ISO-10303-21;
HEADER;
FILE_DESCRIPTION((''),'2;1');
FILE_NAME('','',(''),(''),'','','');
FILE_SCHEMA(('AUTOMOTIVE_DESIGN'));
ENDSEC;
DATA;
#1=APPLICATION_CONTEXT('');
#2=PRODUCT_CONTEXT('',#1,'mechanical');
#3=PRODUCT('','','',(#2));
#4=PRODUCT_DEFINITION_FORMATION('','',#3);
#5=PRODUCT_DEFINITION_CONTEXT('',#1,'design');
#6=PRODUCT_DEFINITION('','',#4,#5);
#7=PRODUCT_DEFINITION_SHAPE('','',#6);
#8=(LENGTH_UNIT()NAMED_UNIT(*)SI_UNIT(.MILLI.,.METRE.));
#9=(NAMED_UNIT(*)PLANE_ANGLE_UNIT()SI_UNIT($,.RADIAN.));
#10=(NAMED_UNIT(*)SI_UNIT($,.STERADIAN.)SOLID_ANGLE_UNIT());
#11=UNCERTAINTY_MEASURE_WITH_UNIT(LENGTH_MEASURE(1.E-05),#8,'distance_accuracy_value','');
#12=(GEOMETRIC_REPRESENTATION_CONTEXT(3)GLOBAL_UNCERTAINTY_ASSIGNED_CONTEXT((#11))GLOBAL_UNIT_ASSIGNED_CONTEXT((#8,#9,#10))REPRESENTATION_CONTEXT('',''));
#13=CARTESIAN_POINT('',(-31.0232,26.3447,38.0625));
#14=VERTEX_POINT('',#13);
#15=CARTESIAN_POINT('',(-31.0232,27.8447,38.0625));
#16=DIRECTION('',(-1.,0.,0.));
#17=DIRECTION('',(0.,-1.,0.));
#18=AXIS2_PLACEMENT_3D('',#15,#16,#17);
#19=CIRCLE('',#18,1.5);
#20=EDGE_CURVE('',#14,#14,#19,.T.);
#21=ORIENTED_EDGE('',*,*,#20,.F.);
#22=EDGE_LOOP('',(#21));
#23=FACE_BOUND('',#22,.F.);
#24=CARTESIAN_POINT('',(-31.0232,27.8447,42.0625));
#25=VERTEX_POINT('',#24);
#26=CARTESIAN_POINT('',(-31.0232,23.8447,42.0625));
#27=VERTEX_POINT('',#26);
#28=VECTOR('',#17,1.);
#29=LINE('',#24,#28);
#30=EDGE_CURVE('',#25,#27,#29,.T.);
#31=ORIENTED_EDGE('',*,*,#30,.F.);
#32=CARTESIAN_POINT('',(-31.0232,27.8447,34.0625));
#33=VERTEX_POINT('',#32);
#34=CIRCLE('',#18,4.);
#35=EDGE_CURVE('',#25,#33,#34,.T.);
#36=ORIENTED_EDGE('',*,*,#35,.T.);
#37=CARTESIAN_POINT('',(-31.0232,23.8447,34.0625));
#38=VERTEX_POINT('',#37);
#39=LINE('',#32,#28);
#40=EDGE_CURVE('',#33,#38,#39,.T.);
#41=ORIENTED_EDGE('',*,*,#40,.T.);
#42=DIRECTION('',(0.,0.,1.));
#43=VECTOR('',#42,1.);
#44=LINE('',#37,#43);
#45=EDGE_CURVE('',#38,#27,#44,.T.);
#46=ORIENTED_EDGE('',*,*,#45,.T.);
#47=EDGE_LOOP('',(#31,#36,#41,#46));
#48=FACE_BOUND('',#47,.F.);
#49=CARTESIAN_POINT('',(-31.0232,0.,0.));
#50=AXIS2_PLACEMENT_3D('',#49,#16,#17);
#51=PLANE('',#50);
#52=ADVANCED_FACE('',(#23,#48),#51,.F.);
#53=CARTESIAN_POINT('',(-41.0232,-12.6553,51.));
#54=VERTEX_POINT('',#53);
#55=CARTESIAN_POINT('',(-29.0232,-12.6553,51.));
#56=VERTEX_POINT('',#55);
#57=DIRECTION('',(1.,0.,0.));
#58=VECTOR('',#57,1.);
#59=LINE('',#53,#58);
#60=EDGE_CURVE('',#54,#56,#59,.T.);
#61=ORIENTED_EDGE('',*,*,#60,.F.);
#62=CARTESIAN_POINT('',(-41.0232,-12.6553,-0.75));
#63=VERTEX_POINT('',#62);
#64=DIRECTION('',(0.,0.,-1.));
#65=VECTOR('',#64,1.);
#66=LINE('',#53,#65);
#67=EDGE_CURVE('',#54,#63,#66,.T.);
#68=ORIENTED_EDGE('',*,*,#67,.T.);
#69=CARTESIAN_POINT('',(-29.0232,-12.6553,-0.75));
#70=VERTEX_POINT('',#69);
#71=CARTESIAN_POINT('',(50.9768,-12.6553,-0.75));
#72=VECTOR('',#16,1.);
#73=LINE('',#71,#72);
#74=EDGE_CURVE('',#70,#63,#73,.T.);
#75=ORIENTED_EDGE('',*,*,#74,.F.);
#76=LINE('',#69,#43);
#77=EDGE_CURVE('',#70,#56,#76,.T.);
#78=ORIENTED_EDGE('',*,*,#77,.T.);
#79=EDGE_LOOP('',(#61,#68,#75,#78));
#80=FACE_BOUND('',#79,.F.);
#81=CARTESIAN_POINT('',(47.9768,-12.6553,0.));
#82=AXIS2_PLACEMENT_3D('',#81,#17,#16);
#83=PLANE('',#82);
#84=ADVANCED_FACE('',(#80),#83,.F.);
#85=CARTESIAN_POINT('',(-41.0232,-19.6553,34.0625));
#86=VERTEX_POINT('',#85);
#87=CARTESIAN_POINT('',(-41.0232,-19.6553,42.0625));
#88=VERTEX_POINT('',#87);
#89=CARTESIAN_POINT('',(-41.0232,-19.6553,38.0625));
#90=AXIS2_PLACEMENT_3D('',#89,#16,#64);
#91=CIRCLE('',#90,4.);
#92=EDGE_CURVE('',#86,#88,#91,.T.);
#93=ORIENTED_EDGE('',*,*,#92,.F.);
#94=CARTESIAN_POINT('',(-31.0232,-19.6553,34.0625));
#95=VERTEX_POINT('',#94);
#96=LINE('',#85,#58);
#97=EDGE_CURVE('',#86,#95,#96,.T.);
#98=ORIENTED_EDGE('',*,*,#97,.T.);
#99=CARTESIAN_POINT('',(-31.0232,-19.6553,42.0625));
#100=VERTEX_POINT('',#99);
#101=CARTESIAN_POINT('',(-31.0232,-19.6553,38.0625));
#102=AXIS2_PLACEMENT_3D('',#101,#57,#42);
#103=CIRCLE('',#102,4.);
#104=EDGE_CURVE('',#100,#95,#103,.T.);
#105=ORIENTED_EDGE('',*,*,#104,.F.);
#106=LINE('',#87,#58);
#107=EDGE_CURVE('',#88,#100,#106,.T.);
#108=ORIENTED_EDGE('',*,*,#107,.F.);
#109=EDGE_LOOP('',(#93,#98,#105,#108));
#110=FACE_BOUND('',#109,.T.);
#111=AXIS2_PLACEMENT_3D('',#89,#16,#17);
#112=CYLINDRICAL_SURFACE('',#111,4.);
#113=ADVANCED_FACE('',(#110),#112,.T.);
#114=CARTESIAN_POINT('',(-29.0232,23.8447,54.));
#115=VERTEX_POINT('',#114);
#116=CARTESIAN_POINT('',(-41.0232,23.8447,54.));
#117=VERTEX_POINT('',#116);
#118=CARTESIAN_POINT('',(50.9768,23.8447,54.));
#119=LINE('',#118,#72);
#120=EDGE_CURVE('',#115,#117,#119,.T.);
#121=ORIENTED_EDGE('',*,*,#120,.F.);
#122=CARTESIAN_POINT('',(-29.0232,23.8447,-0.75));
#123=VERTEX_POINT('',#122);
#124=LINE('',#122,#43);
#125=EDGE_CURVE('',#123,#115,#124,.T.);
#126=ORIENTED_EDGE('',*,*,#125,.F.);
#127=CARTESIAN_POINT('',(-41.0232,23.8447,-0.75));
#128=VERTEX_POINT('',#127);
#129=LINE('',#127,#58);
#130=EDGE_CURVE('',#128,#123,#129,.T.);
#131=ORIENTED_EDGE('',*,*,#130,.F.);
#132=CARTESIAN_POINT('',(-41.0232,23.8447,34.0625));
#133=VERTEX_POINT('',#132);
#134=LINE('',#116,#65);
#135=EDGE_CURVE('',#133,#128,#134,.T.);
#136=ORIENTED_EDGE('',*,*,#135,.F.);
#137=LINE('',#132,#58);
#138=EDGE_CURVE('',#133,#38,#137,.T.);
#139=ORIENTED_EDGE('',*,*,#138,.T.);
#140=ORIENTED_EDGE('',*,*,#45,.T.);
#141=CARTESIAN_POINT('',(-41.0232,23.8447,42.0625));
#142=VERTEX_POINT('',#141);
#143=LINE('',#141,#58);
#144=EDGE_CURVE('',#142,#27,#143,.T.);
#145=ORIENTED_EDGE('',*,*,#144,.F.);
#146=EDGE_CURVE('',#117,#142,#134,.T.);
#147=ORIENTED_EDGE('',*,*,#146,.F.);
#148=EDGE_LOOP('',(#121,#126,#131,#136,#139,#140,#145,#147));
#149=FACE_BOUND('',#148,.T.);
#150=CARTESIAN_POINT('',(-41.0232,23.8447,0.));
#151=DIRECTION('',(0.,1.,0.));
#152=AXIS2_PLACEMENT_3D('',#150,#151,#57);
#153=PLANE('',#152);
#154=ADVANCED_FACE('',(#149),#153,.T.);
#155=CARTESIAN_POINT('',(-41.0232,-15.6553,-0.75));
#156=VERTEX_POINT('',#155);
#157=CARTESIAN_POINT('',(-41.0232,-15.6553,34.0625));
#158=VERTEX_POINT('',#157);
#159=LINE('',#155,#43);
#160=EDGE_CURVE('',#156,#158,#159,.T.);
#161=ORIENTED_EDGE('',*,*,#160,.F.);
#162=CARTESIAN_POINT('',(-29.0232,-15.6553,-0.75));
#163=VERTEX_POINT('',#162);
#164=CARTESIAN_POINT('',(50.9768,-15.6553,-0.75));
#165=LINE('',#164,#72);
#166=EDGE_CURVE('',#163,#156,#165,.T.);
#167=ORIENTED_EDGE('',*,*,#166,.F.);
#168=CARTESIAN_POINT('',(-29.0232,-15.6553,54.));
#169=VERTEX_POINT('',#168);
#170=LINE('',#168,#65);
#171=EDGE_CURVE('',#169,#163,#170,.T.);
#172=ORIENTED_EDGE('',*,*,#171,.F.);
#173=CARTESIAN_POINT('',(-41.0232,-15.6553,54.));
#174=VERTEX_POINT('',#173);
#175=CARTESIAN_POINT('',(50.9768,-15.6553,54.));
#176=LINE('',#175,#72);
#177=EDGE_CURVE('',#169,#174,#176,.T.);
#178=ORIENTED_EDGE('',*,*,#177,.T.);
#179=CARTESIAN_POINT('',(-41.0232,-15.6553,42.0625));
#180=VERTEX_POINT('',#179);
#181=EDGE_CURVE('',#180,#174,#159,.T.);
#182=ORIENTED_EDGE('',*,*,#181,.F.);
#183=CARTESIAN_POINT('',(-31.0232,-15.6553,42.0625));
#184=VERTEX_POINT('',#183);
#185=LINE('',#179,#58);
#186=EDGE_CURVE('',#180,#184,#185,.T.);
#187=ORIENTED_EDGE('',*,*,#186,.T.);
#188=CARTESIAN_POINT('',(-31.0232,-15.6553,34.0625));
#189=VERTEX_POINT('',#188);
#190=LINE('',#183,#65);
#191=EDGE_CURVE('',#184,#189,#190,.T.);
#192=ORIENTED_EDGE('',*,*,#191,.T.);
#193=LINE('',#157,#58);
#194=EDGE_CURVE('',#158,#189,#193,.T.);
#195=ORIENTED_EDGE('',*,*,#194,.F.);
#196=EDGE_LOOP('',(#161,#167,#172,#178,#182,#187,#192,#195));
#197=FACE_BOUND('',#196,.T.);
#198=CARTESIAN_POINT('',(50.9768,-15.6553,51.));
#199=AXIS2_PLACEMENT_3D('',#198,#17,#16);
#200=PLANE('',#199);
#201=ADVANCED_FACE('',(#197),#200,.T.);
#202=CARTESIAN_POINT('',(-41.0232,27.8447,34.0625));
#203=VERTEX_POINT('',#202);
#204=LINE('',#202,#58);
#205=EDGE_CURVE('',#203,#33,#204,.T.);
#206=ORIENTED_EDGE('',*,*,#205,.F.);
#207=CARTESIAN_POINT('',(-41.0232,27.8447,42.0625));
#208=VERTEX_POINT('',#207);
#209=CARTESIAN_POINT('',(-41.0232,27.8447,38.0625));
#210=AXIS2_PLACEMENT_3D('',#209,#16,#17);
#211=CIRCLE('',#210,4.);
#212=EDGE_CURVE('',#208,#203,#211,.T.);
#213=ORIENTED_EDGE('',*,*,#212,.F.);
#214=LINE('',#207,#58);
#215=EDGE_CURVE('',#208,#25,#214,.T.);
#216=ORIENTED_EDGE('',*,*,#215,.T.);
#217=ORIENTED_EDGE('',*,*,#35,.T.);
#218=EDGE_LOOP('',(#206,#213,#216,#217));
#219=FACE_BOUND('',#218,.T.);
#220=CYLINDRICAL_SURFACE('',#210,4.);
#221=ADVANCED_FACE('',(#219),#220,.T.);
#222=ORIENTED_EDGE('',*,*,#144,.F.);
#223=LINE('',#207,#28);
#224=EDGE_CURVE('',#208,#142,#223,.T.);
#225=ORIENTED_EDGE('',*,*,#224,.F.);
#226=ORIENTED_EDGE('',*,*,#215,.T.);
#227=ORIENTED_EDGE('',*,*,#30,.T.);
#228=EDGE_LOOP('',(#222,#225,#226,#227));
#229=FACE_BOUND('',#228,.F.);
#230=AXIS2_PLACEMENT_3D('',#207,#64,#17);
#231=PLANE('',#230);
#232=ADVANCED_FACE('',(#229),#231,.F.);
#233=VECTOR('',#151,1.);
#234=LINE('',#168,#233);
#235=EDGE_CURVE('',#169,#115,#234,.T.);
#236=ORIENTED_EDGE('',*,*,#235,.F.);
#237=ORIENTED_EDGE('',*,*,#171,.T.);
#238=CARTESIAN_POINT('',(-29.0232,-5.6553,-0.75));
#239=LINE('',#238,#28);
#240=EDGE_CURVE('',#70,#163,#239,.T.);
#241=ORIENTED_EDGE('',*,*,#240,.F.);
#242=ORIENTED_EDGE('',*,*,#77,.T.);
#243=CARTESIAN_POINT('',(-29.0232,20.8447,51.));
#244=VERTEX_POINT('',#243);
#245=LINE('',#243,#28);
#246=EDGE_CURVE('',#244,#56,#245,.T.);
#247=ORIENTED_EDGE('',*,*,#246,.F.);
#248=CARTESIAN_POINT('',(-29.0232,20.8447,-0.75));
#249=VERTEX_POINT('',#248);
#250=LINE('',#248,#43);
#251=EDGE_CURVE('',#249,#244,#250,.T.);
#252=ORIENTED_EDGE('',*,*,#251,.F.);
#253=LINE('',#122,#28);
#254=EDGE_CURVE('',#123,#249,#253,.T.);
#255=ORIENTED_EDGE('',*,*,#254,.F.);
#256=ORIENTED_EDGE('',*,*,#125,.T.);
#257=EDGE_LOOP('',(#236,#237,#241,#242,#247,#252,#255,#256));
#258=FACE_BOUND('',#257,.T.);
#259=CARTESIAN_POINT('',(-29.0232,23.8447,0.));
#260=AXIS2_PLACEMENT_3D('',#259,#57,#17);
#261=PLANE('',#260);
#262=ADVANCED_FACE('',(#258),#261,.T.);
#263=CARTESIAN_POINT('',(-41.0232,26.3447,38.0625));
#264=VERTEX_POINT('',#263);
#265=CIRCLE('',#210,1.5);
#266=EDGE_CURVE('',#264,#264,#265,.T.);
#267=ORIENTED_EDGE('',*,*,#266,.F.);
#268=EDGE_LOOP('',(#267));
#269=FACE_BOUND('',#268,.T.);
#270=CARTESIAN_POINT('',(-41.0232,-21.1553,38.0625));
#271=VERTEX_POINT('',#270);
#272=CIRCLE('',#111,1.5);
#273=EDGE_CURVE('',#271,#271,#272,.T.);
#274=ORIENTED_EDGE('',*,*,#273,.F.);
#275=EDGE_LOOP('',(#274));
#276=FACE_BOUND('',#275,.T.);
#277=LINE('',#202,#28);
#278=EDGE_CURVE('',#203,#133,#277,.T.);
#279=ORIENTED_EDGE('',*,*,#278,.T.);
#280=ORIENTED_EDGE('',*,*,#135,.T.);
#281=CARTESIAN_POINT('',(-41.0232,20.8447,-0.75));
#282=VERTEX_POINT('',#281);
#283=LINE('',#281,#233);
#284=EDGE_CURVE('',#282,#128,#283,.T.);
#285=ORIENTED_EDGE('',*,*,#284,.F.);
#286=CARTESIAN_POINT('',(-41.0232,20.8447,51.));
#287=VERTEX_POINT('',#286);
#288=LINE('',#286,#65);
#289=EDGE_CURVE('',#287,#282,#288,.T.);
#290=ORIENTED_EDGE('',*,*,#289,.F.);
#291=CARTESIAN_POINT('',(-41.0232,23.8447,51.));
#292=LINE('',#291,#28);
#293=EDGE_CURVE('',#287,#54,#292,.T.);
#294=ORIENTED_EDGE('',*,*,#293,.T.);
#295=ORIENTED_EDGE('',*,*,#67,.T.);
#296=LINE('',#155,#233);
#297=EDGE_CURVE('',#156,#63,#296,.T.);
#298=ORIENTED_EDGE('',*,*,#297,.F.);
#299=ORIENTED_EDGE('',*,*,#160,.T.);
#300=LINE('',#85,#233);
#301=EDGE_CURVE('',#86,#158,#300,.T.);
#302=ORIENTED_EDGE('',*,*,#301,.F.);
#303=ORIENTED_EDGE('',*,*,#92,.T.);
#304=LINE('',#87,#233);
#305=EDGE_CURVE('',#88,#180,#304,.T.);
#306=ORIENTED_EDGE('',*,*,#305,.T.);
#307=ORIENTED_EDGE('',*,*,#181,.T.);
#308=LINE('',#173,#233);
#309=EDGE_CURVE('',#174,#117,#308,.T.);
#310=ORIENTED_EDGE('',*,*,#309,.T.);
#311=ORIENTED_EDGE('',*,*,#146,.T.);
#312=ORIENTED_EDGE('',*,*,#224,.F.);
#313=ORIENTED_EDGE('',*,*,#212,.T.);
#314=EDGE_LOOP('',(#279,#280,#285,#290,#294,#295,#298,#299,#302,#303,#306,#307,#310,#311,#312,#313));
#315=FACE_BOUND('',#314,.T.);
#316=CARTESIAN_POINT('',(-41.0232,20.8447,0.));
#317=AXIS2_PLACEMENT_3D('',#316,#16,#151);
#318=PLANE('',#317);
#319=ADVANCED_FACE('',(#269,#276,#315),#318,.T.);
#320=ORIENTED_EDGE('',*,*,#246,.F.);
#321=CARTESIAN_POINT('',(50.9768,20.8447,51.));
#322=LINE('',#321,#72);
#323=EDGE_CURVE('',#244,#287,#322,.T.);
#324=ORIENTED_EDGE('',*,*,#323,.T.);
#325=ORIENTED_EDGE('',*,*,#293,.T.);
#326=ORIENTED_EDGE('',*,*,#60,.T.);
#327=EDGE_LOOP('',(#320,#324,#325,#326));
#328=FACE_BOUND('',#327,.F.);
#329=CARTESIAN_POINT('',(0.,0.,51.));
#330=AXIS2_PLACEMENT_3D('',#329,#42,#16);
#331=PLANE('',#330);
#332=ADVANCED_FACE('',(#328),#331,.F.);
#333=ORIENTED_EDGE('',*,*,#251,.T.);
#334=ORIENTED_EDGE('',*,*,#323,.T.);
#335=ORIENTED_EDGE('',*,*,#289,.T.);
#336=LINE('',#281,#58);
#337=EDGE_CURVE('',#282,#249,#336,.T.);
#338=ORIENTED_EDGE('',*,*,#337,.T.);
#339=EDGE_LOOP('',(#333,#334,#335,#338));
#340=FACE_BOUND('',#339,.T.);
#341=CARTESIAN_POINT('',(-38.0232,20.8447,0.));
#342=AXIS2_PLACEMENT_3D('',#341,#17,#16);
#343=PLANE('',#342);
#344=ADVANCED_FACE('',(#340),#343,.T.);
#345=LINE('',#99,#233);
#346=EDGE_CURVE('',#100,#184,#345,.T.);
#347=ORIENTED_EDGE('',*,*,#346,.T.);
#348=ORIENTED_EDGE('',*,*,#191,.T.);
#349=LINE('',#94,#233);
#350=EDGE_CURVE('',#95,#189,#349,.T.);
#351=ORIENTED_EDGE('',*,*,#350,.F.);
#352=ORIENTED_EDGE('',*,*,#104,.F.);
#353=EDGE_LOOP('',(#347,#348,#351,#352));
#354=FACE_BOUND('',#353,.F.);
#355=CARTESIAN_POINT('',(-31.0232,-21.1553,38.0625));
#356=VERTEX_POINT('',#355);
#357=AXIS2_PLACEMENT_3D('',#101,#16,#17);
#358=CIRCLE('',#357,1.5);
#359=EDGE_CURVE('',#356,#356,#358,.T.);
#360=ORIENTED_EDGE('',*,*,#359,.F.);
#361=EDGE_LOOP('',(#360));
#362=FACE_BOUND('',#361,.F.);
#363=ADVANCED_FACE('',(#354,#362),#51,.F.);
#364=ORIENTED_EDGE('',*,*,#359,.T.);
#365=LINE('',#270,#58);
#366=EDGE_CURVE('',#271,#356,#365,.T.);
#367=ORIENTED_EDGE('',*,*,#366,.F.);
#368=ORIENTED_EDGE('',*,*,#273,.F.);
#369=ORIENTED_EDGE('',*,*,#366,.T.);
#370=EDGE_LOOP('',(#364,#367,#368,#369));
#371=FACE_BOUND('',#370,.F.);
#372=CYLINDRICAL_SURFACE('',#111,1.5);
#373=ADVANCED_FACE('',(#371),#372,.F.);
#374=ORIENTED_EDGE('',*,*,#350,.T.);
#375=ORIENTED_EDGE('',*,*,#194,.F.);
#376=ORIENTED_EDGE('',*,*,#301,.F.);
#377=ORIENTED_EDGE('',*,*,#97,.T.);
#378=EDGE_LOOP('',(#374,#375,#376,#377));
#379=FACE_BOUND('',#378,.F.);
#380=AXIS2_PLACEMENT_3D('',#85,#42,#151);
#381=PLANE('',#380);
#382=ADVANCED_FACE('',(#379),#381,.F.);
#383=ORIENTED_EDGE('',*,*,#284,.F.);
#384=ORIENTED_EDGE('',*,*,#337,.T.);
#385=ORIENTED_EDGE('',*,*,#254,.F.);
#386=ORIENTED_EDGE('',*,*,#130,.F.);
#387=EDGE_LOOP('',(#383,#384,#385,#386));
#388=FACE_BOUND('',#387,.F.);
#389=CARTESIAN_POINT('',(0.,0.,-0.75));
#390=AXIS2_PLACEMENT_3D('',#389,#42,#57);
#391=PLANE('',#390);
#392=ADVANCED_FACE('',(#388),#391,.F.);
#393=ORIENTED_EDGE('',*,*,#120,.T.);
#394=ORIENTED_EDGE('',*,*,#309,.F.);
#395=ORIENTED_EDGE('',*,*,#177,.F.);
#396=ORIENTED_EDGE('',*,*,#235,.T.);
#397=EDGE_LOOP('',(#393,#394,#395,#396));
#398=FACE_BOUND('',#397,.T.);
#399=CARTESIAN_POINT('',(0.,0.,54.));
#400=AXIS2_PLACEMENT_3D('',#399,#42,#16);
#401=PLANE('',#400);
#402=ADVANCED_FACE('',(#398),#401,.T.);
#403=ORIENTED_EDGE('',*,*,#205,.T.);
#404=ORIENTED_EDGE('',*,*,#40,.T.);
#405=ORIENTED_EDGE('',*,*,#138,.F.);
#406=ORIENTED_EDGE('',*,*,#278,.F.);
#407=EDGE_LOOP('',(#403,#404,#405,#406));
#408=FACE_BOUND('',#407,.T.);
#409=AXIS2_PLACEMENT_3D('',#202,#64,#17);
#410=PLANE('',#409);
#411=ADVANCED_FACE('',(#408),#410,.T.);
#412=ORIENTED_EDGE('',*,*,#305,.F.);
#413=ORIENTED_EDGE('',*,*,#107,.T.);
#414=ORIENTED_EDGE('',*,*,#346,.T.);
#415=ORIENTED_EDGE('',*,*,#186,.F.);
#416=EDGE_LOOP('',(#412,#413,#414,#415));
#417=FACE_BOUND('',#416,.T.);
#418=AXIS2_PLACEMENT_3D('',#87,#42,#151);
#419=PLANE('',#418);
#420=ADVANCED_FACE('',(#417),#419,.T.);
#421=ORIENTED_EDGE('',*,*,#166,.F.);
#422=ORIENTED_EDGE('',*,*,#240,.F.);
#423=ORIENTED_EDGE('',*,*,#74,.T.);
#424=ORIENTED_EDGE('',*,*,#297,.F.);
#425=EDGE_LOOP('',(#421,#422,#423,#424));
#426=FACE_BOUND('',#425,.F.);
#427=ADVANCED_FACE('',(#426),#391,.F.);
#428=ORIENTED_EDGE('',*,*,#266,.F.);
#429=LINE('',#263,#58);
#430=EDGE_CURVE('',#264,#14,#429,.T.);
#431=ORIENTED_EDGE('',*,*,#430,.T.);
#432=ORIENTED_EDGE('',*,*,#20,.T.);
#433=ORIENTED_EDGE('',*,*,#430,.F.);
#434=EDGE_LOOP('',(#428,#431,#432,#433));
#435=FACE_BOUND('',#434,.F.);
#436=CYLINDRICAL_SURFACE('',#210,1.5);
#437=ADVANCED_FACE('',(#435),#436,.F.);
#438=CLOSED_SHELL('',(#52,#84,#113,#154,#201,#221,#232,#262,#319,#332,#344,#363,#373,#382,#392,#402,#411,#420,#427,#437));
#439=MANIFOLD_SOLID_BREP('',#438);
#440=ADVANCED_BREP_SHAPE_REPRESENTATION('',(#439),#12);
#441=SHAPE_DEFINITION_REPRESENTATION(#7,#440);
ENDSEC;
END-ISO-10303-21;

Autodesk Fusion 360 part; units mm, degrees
sketch "Boceto1" plane through (0, 0, 0) normal (0, 0, 1) x (1, 0, 0)
  line L0 (-38.0232, 20.8447) -> (47.9768, 20.8447)
  line L1 (47.9768, 20.8447) -> (47.9768, -12.6553)
  line L2 (47.9768, -12.6553) -> (-38.0232, -12.6553)
  line L3 (-38.0232, -12.6553) -> (-38.0232, 20.8447)
  line L4 (-41.0232, 23.8447) -> (50.9768, 23.8447)
  line L5 (50.9768, -15.6553) -> (-41.0232, -15.6553)
  line L6 (-38.0232, 20.8447) -> (-41.0232, 20.8447)
  line L7 (-41.0232, 20.8447) -> (50.9768, 20.8447)
  line L8 (-38.0232, -12.6553) -> (-41.0232, -12.6553)
  line L9 (-41.0232, -15.6553) -> (-41.0232, -12.6553)
  line L10 (-41.0232, 20.8447) -> (-41.0232, 23.8447)
  line L11 (47.9768, -12.6553) -> (50.9768, -12.6553)
  line L12 (50.9768, 23.8447) -> (50.9768, 20.8447)
  line L13 (50.9768, -12.6553) -> (50.9768, -15.6553)
  dimension "d1" = 86
  dimension "d2" = 33.5
  dimension "d3" = 3
  dimension "d4" = 3
  dimension "d5" = 3
  dimension "d6" = 3
extrude "Extruir1" add sketch "Boceto1" along normal blind 51 contours L0 L4 L6 L7 L10 L12 | L2 L5 L8 L9 L11 L13 makes body 1 at (20.3102, 20.8447, 17) makes body 2 at (20.3102, -12.6553, 17)
sketch "Boceto2" plane through (0, 0, 51) normal (0, 0, 1) x (-1, 0, 0)
  line L0 (41.0232, -20.8447) -> (-50.9768, -20.8447)
  line L1 (-50.9768, -20.8447) -> (-50.9768, -23.8447)
  line L2 (-50.9768, -23.8447) -> (41.0232, -23.8447)
  line L3 (41.0232, -23.8447) -> (41.0232, -20.8447)
  line L4 (41.0232, -23.8447) -> (-50.9768, -23.8447)
  line L5 (-50.9768, -23.8447) -> (-50.9768, 15.6553)
  line L6 (-50.9768, 15.6553) -> (41.0232, 15.6553)
  line L7 (41.0232, 15.6553) -> (41.0232, -23.8447)
  dimension "d9" = 39.5
  dimension "d12" = 92
extrude "Extruir2" add sketch "Boceto2" along normal blind 3 bodies 1 2
sketch "Boceto3" plane through (0, 0, 51) normal (0, 0, -1) x (1, 0, 0)
  line L0 (-41.0232, -20.8447) -> (50.9768, -20.8447)
  line L1 (50.9768, -20.8447) -> (50.9768, 12.6553)
  line L2 (50.9768, 12.6553) -> (-41.0232, 12.6553)
  line L3 (-41.0232, 12.6553) -> (-41.0232, -20.8447)
  line L4 (50.9768, 12.6553) -> (47.9768, 12.6553)
  line L5 (47.9768, 12.6553) -> (47.9768, 5.6553)
  line L6 (47.9768, 5.6553) -> (50.9768, 5.6553)
  line L7 (50.9768, 5.6553) -> (50.9768, 12.6553)
  line L8 (50.9768, -20.8447) -> (47.9768, -20.8447)
  line L9 (47.9768, -20.8447) -> (47.9768, -13.8447)
  line L10 (47.9768, -13.8447) -> (50.9768, -13.8447)
  line L11 (50.9768, -13.8447) -> (50.9768, -20.8447)
  dimension "d13" = 3
  dimension "d14" = 3
  dimension "d16" = 7
  dimension "d17" = 7
extrude "Extruir3" add sketch "Boceto3" along normal blind 51 contours L0 L1 L8 L9 L10 L11 | L1 L2 L4 L5 L6 L7 bodies 1
extrude "Extruir4" cut 1 faces at (50.9768, -12.322, 35) along direction (-1, 0, 0) blind 80 on bodies 1 bodies 1
extrude "Extruir5" add 2 faces at (-37.0232, -14.6553, 0) (-37.0232, 22.8447, 0) along direction (0, 0, -1) blind 0.75 on bodies 1 bodies 1
sketch "Boceto4" plane through (0, 0, -0.75) normal (0, 0, -1) x (1, 0, 0)
  line L0 (-29.0232, -23.8447) -> (-29.0232, -20.8447)
  line L1 (-29.0232, -20.8447) -> (-41.0232, -20.8447)
  line L2 (-41.0232, -20.8447) -> (-41.0232, -23.8447)
  line L3 (-41.0232, -23.8447) -> (-29.0232, -23.8447)
  line L4 (-35.0232, -23.8447) -> (-35.0232, -27.8447) construction
  dimension "d24" = 4
sketch "Boceto5" plane through (-41.0232, 0, 0) normal (-1, 0, 0) x (0, -1, 0)
  line L0 (-20.8447, -0.75) -> (-20.8447, 51)
  line L1 (-20.8447, 51) -> (12.6553, 51)
  line L2 (12.6553, 51) -> (12.6553, -0.75)
  line L3 (12.6553, -0.75) -> (15.6553, -0.75)
  line L4 (15.6553, -0.75) -> (15.6553, 54)
  line L5 (15.6553, 54) -> (-23.8447, 54)
  line L6 (-23.8447, 54) -> (-23.8447, -0.75)
  line L7 (-23.8447, -0.75) -> (-20.8447, -0.75)
  line L8 (15.6553, -0.75) -> (15.6553, 51) construction
  line L9 (12.6553, -0.75) -> (-20.8447, -0.75) construction
  line L10 (-4.0947, -0.75) -> (-4.0947, 51) construction
  line L11 (-4.0947, 25.125) -> (-4.0947, 51) construction
  line L12 (-4.0947, 38.0625) -> (-23.8447, 38.0625) construction
  line L13 (-4.0947, 38.0625) -> (12.6553, 38.0625) construction
  line L14 (12.6553, 38.0625) -> (19.6553, 38.0625) construction
  line L15 (-23.8447, 38.0625) -> (-27.8447, 38.0625) construction
  circle A0 centre (-27.8447, 38.0625) radius 4
  line L16 (-27.8447, 42.0625) -> (-23.8447, 42.0625)
  line L17 (-27.8447, 34.0625) -> (-23.8447, 34.0625)
  circle A1 centre (-27.8447, 38.0625) radius 1.5
  line L18 (19.6553, 42.0625) -> (15.6553, 42.0625)
  circle A2 centre (19.6553, 38.0625) radius 4
  circle A3 centre (19.6553, 38.0625) radius 1.5
  line L19 (19.6553, 34.0625) -> (15.6553, 34.0625)
  dimension "d25" = 7
  dimension "d26" = 4
  dimension "d27" = 3
extrude "Extruir6" add sketch "Boceto5" against normal blind 10 contours L6 A0 L17 | L6 A0 L16 | A0 | L4 A2 L19 | L4 L18 A2 | A2 bodies 1
equation "d12 = 86 mm + 6 mm"
equation "d25 = 3 mm + 4 mm"
